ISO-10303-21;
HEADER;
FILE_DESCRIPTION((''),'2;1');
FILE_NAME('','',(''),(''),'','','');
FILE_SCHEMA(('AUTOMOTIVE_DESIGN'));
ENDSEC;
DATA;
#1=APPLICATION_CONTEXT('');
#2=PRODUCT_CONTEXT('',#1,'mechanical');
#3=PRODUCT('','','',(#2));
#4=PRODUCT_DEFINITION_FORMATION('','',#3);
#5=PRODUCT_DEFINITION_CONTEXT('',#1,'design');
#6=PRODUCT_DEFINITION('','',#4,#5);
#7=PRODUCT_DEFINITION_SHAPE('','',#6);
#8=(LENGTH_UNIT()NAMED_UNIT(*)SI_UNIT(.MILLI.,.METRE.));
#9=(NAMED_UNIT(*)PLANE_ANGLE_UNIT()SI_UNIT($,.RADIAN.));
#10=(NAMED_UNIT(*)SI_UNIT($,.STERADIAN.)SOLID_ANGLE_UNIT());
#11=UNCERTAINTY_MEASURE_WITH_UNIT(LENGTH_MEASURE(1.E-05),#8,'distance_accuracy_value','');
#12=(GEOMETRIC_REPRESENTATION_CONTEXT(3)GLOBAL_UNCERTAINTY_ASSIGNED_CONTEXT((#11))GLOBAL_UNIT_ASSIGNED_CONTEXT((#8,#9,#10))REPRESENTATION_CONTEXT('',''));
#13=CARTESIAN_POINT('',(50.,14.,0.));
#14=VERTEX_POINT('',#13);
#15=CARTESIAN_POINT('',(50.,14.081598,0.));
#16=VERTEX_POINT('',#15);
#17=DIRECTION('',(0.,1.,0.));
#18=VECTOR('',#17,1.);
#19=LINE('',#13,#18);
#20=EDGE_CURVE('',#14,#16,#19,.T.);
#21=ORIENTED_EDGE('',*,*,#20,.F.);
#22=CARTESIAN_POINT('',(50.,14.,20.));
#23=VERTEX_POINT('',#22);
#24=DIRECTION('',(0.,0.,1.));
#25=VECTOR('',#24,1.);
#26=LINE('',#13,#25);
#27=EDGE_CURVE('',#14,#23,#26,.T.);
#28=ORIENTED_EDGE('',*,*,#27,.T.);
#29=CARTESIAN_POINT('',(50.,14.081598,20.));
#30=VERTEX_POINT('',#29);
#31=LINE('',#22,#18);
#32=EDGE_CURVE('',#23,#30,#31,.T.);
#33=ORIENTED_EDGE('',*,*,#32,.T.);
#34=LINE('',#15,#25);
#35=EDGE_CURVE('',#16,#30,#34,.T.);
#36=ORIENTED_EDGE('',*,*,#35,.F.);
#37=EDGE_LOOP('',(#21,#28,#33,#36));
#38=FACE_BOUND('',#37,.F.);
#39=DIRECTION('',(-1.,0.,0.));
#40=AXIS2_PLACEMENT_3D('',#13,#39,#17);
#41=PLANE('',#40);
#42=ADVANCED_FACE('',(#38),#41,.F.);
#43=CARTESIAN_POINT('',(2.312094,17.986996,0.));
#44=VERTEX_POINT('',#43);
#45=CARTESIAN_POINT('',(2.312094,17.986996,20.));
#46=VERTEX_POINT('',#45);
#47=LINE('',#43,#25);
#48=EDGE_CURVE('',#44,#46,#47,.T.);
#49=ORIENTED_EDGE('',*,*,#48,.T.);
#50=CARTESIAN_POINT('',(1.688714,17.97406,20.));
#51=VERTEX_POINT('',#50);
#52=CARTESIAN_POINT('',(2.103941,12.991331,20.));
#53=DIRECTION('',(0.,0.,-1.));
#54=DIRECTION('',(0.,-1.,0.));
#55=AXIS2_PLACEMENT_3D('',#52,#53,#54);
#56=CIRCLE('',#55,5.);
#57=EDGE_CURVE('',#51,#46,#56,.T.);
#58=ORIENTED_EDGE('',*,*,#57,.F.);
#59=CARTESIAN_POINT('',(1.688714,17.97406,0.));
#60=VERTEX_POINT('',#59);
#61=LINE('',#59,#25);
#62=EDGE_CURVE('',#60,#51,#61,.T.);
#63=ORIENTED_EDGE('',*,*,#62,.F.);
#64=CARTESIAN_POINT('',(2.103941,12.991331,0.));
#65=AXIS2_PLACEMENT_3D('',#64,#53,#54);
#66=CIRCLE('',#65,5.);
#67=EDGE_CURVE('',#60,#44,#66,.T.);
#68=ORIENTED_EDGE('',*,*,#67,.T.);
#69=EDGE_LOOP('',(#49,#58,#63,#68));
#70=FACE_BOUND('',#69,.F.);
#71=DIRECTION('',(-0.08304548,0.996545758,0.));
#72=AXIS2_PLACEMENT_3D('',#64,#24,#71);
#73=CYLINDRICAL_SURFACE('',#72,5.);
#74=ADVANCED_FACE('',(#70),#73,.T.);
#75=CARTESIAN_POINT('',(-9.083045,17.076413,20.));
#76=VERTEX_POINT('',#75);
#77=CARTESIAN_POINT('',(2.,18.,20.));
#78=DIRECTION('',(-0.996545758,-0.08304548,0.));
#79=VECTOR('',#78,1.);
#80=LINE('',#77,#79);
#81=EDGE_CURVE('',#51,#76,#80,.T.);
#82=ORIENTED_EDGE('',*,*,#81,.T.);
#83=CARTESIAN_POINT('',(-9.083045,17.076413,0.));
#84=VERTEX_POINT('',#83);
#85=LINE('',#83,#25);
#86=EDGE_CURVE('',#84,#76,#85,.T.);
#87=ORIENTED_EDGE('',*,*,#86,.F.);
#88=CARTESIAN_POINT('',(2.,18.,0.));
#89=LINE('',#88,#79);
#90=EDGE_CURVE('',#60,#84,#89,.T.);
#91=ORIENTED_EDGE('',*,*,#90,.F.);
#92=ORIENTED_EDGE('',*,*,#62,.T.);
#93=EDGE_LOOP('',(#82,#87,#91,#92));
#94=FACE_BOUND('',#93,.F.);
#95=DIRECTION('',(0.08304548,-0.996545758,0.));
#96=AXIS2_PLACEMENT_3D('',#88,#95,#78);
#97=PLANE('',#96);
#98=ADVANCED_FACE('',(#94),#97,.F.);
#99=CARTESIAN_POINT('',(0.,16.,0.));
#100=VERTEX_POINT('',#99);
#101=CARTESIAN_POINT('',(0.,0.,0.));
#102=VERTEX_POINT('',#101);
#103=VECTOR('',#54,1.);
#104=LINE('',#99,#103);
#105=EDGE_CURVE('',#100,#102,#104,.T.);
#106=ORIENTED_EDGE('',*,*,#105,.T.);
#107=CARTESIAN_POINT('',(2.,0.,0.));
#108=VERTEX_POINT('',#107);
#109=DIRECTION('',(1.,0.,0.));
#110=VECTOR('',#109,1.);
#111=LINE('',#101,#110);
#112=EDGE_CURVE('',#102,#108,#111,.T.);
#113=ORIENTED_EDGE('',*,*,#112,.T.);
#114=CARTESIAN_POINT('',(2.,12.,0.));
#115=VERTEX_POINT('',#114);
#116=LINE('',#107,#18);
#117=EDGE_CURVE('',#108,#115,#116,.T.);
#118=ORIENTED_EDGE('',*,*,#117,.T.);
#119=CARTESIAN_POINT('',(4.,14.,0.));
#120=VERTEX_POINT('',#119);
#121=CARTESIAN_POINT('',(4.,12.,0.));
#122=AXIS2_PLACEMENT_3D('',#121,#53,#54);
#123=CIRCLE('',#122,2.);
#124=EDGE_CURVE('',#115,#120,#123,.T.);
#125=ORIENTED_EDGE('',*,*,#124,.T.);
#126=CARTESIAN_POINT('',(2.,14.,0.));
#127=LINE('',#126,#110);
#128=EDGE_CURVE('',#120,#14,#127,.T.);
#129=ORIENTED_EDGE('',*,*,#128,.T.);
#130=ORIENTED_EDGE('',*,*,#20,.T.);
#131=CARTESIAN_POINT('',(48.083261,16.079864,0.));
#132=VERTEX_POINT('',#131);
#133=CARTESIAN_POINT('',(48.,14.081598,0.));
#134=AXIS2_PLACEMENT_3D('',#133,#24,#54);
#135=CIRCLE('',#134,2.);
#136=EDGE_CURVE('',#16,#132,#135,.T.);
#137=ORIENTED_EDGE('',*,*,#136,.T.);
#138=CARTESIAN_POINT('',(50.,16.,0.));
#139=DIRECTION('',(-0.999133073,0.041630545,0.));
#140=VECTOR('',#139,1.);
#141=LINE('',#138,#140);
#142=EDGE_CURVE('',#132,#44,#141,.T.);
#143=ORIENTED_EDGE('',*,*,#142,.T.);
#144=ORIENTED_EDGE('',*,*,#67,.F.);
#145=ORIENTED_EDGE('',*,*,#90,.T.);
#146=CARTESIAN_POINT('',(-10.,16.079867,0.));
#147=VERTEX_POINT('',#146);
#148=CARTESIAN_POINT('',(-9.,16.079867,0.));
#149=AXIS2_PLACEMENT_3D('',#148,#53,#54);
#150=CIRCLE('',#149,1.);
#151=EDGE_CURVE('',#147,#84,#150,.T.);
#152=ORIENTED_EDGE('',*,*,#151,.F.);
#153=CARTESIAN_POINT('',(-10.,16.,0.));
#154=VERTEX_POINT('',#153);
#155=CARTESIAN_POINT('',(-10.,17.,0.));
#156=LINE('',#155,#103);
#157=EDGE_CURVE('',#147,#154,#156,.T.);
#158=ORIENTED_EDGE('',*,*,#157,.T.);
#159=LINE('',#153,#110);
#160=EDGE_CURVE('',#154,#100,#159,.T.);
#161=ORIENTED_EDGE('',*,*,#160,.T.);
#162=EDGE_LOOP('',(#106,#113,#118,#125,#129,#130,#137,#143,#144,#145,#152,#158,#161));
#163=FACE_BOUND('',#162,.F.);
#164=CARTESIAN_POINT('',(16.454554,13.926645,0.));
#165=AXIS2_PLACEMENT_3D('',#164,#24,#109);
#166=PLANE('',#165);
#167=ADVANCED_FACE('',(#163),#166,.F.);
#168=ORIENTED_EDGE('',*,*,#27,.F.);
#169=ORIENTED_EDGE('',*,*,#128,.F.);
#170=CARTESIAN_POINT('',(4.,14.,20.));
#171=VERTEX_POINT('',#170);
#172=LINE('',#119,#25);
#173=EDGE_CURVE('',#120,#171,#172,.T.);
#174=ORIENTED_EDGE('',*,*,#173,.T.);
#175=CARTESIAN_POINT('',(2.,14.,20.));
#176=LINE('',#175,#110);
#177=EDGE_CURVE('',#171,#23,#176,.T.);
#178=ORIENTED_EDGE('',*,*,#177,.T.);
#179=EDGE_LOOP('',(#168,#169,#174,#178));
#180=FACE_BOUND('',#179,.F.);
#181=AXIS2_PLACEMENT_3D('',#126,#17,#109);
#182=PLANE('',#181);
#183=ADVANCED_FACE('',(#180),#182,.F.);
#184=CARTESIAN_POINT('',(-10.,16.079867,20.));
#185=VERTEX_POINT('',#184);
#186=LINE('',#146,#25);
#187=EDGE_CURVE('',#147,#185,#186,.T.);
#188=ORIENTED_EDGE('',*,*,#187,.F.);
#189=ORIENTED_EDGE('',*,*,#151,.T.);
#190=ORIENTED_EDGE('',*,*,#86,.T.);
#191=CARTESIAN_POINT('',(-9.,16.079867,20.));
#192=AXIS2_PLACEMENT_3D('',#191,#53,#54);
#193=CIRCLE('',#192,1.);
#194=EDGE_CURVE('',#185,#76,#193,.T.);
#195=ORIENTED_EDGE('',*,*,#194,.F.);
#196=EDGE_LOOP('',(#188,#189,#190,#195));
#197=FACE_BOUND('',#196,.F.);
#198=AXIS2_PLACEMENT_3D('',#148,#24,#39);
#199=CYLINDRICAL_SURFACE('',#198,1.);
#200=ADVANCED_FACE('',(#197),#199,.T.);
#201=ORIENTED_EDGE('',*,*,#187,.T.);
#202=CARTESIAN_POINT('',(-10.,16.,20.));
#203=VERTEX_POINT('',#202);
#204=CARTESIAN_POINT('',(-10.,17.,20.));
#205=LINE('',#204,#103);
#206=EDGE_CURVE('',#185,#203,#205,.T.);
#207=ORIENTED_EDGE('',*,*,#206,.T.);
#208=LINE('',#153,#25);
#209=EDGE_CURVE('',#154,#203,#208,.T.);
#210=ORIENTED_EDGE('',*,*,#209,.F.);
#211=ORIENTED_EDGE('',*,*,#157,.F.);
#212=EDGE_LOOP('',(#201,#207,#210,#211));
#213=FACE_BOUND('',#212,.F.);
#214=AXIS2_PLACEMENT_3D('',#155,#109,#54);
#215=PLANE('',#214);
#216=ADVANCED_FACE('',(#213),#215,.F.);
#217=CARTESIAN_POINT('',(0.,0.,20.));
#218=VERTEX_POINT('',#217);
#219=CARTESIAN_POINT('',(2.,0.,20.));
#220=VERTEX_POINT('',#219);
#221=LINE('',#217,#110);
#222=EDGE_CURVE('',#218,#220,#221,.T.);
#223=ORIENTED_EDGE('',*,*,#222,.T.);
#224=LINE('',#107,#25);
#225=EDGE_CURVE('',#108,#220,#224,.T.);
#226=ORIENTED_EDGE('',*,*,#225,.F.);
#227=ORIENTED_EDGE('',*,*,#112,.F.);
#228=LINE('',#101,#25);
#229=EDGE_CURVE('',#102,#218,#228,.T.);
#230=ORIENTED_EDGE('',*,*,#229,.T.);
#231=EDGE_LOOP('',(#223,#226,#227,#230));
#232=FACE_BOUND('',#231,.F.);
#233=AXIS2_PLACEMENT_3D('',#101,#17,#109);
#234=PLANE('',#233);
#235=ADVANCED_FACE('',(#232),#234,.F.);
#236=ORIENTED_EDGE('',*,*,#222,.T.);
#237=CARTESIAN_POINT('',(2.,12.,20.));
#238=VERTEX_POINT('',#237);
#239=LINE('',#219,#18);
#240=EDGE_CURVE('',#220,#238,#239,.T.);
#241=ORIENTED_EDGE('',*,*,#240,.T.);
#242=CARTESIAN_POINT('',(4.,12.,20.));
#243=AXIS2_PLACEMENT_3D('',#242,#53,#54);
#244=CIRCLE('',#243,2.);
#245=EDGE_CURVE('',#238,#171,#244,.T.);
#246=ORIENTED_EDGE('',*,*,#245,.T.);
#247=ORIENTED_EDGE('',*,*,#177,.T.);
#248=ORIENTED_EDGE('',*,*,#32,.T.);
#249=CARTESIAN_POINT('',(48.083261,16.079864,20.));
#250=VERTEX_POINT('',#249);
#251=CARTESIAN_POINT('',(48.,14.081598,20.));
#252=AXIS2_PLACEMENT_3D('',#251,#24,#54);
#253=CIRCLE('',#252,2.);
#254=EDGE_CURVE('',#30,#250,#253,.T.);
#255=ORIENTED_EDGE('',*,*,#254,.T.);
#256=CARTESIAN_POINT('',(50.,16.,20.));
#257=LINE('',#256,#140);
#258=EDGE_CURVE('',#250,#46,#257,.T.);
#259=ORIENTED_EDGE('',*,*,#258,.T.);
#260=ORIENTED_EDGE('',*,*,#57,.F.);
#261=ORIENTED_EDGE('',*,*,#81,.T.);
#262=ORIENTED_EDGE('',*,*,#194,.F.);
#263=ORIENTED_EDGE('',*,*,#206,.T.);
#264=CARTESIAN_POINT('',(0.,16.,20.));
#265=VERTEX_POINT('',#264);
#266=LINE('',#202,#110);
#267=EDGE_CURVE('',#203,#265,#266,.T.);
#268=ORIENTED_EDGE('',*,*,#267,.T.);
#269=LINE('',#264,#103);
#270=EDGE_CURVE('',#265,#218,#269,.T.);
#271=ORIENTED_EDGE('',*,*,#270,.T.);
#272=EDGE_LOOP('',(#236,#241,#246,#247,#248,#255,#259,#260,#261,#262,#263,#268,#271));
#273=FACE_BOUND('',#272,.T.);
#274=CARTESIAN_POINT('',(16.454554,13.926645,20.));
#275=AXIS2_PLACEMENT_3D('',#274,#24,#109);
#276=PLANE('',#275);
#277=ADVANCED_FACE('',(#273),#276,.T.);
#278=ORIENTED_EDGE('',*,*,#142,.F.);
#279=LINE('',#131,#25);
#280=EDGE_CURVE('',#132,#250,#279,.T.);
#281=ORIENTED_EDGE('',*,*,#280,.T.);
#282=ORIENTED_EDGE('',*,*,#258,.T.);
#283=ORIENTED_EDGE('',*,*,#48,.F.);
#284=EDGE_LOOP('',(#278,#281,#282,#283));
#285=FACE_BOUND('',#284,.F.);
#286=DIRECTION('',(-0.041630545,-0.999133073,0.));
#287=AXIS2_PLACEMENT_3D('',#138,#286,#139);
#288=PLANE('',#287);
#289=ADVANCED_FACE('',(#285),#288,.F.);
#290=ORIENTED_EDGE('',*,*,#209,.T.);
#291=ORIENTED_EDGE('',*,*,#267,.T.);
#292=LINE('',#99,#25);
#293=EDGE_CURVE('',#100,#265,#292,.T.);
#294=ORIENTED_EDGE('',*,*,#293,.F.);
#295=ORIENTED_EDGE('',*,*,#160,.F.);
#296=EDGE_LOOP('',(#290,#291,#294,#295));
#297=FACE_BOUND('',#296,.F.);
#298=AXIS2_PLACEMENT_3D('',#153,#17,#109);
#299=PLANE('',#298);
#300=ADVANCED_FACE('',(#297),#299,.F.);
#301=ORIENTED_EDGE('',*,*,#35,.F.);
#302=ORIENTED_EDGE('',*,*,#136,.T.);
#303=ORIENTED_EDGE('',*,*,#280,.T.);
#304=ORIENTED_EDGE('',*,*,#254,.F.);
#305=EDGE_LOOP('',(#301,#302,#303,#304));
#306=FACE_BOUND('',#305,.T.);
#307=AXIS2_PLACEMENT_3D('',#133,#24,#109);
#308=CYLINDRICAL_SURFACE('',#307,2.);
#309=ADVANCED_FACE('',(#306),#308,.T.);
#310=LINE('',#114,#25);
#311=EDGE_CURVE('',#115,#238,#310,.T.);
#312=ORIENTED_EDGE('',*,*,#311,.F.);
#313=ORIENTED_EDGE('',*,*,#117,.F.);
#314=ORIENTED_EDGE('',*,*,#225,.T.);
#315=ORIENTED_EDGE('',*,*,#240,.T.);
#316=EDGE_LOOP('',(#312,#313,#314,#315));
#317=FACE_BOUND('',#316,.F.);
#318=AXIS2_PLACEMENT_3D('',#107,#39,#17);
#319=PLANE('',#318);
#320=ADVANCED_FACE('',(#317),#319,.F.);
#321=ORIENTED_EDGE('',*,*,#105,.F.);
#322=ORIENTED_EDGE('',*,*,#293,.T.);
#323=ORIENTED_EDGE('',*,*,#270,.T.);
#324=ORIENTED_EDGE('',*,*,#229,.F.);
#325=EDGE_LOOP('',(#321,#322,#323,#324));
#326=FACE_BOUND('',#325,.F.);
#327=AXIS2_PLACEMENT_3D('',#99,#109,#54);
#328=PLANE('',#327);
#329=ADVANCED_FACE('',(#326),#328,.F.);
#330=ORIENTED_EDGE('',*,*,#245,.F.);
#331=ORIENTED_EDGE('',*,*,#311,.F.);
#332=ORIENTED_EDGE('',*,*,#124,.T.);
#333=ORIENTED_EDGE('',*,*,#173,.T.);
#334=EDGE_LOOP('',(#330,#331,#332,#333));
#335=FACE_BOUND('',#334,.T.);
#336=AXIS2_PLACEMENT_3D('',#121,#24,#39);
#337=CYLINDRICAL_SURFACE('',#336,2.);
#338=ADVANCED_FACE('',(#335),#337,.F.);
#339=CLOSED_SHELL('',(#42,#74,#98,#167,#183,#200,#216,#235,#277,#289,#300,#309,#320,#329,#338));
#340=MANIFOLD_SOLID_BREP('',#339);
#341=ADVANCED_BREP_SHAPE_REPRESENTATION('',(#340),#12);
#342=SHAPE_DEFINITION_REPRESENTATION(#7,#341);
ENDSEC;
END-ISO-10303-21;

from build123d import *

# Parameters (mm, degrees)
F1_DEPTH = 20
F2_R     = 2
F3_R     = 1
F4_R     = 5


with BuildPart() as f1:
    # F0 (on Top) → F1 (new body)
    with BuildSketch(Plane.XY):
        Polygon((0, 16), (0, 0), (2, 0), (2, 14), (50, 14), (50, 16), (2, 18), (-10, 17), (-10, 16), align=None)
    extrude(amount=F1_DEPTH)

    # F2
    f2_edges = [f1.edges().sort_by_distance(p)[0] for p in [
        (50, 16, 10),
        (2, 14, 10),
    ]]
    fillet(f2_edges, radius=F2_R)

    # F3
    f3_edges = [f1.edges().sort_by_distance(p)[0] for p in [
        (-10, 17, 10),
    ]]
    fillet(f3_edges, radius=F3_R)

    # F4
    f4_edges = [f1.edges().sort_by_distance(p)[0] for p in [
        (2, 18, 10),
    ]]
    fillet(f4_edges, radius=F4_R)


solid = f1.part
